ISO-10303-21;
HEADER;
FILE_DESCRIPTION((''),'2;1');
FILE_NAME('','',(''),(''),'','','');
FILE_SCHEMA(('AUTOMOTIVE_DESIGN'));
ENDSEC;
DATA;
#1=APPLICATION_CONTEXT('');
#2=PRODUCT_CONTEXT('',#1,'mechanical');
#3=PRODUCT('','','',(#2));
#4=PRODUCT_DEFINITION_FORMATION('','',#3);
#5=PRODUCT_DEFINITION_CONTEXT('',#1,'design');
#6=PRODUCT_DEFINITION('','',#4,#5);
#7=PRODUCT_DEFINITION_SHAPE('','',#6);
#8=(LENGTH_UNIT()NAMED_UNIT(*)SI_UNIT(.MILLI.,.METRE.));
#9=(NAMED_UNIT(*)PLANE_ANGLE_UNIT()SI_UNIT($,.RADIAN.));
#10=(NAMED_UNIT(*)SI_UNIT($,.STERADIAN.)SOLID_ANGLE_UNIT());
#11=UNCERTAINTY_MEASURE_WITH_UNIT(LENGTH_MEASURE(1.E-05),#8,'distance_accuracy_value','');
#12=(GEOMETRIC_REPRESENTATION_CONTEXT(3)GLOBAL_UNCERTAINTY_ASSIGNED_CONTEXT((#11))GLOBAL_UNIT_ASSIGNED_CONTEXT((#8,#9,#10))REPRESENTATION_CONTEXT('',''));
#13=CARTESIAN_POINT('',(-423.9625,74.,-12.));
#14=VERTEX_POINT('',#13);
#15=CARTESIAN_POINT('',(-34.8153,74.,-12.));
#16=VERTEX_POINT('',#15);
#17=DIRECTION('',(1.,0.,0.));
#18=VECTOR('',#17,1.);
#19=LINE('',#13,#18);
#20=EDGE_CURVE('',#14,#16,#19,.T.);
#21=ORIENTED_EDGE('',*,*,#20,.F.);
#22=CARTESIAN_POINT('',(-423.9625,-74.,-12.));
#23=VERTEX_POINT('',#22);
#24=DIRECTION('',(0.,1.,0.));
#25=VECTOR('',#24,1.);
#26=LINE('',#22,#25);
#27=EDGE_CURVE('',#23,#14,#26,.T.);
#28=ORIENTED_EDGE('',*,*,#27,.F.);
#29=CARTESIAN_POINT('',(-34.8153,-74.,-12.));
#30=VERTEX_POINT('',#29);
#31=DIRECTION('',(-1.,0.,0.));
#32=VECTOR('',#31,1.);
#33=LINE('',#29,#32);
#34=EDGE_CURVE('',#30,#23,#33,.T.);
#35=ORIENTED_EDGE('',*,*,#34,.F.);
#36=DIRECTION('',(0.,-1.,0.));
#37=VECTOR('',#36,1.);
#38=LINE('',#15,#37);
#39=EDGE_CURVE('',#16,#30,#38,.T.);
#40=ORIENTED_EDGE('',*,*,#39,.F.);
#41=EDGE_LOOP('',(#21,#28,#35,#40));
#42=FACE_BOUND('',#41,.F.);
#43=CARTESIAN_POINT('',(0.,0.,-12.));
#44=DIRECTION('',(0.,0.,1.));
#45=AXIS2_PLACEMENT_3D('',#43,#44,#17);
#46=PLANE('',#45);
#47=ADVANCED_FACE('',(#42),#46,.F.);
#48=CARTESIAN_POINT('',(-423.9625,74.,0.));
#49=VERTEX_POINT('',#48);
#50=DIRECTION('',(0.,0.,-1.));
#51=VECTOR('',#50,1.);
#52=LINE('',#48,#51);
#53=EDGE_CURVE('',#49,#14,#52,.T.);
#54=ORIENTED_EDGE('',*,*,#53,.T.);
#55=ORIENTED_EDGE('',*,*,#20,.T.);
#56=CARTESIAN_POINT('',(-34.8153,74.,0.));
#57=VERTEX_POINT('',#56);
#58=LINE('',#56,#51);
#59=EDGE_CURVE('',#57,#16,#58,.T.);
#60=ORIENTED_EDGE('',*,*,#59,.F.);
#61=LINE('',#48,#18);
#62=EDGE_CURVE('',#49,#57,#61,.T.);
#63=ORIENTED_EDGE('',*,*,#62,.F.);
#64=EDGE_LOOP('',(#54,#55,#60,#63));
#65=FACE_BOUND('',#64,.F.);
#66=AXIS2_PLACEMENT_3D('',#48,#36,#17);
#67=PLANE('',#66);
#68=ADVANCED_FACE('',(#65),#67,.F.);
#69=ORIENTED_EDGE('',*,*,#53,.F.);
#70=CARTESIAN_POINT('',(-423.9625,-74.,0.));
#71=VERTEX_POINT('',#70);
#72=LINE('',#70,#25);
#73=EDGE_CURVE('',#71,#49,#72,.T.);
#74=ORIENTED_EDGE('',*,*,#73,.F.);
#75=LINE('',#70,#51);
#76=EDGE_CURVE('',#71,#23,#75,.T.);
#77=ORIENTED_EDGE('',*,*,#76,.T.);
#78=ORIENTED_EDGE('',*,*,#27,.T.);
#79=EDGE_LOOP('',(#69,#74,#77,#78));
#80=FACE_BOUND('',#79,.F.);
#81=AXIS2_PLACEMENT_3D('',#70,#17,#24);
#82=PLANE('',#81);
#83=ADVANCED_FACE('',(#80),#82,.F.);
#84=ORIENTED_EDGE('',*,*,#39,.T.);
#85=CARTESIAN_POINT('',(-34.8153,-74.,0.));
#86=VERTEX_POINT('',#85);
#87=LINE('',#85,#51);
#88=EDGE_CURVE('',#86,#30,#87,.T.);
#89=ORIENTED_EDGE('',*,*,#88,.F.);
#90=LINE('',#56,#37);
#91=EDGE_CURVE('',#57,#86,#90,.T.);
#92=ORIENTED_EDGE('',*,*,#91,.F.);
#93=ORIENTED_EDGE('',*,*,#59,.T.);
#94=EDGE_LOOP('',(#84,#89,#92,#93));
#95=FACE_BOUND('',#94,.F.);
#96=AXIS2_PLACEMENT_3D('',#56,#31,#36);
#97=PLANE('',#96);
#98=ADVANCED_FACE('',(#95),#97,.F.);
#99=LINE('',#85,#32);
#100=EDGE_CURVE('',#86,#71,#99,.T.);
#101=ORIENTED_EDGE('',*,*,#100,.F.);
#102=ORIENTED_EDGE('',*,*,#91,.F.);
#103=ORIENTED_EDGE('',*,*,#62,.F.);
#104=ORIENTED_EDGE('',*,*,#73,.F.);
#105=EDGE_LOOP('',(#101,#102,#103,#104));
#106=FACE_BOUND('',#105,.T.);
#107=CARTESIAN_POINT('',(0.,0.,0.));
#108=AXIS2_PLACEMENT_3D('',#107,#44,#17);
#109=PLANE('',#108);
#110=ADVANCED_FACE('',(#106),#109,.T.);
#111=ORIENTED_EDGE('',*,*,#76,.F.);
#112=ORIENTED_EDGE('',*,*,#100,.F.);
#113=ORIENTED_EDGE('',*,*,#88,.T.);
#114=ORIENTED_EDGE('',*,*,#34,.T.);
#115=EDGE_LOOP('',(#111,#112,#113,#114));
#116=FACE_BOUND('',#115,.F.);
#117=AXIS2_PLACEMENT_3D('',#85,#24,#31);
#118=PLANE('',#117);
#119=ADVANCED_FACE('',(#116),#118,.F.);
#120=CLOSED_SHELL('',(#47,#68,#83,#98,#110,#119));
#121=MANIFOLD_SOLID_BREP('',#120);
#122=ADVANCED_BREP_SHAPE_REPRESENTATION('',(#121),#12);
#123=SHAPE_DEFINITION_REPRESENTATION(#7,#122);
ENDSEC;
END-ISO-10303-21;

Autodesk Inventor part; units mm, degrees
ref_plane "YZ Plane" through (0, 0, 0) normal (1, 0, 0) x (0, 1, 0)
ref_plane "XZ Plane" through (0, 0, 0) normal (0, 1, 0) x (-1, 0, 0)
ref_plane "XY Plane" through (0, 0, 0) normal (0, 0, 1) x (1, 0, 0)
ref_plane "Work Plane1" through (0, 0, 0) normal (0, 0, 1) x (1, 0, 0)
sketch "Sketch1" plane through (0, 0, 0) normal (0, 0, 1) x (1, 0, 0)
  line L0 (-426.9514, -75) -> (-31.8264, 75) construction
  line L1 (-426.9514, 75) -> (-31.8264, -75) construction
  line L2 (-423.9625, 74) -> (-34.8153, 74)
  line L3 (-34.8153, 74) -> (-34.8153, -74)
  line L4 (-34.8153, -74) -> (-423.9625, -74)
  line L5 (-423.9625, -74) -> (-423.9625, 74)
  line L6 (-423.9625, 74) -> (-34.8153, -74) construction
  line L7 (-34.8153, 74) -> (-423.9625, -74) construction
  line L8 (-426.9514, 75) -> (-31.8264, 75) projected
  line L9 (-31.8153, -75) -> (-31.8153, 75) projected
  point P0 (0, 0)
  point P1 (-229.3889, 0)
  dimension "d0" = 1
  dimension "d1" = 3
extrude "Extrusion1" add sketch "Sketch1" against normal blind 12
sketch "Sketch2" plane through (0, 0, 0) normal (0, 0, 1) x (1, 0, 0)
  line L0 (-34.8153, -74) -> (-34.8153, 74) projected
  line L1 (-34.8153, 74) -> (-423.9625, 74) projected
  line L2 (-423.9625, 74) -> (-423.9625, -74) projected
  line L3 (-423.9625, -74) -> (-34.8153, -74) projected
  point P0 (0, 0)
properties part number "cover" material "Wood (Birch)"
